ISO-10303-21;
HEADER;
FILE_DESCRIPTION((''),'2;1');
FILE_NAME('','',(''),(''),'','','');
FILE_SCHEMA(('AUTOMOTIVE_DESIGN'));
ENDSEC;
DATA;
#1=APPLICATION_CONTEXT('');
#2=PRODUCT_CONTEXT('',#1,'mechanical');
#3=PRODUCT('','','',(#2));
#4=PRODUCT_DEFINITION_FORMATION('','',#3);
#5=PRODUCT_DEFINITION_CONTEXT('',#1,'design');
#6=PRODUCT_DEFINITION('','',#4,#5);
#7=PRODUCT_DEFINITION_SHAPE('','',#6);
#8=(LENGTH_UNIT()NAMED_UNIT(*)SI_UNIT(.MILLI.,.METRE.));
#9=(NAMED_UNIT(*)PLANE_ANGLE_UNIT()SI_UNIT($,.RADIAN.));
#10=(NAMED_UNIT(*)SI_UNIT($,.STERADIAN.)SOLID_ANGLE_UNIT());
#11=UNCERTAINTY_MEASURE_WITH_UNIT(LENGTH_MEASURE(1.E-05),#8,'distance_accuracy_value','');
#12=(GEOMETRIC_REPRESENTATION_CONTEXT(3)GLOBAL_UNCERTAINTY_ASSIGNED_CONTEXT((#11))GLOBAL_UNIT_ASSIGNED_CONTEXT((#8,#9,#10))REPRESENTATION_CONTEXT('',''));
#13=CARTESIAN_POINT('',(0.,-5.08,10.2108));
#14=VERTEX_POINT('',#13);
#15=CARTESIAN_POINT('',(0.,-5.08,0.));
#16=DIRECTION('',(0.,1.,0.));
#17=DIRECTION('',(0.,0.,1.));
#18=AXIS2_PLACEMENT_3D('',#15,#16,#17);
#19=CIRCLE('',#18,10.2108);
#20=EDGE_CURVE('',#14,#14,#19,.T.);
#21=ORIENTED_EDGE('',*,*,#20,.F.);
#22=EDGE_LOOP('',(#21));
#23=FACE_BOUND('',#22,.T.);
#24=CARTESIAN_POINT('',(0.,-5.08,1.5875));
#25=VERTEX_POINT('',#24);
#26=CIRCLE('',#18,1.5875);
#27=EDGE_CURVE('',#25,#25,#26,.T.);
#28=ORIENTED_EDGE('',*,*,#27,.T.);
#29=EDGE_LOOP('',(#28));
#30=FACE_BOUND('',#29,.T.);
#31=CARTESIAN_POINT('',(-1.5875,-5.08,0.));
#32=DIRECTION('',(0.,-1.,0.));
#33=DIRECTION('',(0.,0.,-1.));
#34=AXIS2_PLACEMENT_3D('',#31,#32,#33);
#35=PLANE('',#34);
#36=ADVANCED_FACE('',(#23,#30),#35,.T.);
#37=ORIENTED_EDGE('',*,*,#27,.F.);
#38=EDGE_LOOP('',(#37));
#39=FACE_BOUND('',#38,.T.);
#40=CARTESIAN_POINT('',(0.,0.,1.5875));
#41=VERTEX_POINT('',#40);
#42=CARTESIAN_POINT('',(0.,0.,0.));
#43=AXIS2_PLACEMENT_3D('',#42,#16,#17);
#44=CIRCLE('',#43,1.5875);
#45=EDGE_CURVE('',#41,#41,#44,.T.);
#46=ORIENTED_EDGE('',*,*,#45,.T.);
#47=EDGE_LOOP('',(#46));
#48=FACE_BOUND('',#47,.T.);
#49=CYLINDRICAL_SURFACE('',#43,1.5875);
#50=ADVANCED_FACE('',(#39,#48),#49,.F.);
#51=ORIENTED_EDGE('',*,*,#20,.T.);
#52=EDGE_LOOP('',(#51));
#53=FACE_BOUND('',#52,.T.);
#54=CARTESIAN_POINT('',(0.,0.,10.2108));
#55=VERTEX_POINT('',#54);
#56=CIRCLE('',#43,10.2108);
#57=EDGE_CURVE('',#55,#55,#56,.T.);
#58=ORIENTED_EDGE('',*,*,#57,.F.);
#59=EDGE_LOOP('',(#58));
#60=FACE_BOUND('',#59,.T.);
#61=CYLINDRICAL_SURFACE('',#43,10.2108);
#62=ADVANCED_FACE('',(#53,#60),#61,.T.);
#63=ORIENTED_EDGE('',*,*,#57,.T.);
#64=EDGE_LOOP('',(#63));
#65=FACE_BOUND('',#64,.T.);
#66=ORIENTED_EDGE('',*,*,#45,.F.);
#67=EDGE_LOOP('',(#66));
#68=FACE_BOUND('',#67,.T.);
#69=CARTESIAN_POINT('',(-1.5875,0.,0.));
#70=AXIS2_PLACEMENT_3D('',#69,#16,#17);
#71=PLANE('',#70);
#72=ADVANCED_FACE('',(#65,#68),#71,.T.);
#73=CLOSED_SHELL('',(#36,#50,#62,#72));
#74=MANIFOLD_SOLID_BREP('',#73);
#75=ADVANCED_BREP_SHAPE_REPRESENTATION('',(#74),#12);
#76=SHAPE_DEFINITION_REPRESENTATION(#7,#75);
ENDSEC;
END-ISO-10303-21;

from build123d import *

# Parameters (mm, degrees)
SKETCH1_W = 8.6233
SKETCH1_H = 5.08


with BuildPart() as part:
    # Sketch1 → Revolve1 (revolve)
    with BuildSketch(Plane.XY):
        with Locations((-5.89915, -2.54)):
            Rectangle(SKETCH1_W, SKETCH1_H)
    revolve(axis=Axis((0, 0, 0), (0, -1, 0)))


solid = part.part
